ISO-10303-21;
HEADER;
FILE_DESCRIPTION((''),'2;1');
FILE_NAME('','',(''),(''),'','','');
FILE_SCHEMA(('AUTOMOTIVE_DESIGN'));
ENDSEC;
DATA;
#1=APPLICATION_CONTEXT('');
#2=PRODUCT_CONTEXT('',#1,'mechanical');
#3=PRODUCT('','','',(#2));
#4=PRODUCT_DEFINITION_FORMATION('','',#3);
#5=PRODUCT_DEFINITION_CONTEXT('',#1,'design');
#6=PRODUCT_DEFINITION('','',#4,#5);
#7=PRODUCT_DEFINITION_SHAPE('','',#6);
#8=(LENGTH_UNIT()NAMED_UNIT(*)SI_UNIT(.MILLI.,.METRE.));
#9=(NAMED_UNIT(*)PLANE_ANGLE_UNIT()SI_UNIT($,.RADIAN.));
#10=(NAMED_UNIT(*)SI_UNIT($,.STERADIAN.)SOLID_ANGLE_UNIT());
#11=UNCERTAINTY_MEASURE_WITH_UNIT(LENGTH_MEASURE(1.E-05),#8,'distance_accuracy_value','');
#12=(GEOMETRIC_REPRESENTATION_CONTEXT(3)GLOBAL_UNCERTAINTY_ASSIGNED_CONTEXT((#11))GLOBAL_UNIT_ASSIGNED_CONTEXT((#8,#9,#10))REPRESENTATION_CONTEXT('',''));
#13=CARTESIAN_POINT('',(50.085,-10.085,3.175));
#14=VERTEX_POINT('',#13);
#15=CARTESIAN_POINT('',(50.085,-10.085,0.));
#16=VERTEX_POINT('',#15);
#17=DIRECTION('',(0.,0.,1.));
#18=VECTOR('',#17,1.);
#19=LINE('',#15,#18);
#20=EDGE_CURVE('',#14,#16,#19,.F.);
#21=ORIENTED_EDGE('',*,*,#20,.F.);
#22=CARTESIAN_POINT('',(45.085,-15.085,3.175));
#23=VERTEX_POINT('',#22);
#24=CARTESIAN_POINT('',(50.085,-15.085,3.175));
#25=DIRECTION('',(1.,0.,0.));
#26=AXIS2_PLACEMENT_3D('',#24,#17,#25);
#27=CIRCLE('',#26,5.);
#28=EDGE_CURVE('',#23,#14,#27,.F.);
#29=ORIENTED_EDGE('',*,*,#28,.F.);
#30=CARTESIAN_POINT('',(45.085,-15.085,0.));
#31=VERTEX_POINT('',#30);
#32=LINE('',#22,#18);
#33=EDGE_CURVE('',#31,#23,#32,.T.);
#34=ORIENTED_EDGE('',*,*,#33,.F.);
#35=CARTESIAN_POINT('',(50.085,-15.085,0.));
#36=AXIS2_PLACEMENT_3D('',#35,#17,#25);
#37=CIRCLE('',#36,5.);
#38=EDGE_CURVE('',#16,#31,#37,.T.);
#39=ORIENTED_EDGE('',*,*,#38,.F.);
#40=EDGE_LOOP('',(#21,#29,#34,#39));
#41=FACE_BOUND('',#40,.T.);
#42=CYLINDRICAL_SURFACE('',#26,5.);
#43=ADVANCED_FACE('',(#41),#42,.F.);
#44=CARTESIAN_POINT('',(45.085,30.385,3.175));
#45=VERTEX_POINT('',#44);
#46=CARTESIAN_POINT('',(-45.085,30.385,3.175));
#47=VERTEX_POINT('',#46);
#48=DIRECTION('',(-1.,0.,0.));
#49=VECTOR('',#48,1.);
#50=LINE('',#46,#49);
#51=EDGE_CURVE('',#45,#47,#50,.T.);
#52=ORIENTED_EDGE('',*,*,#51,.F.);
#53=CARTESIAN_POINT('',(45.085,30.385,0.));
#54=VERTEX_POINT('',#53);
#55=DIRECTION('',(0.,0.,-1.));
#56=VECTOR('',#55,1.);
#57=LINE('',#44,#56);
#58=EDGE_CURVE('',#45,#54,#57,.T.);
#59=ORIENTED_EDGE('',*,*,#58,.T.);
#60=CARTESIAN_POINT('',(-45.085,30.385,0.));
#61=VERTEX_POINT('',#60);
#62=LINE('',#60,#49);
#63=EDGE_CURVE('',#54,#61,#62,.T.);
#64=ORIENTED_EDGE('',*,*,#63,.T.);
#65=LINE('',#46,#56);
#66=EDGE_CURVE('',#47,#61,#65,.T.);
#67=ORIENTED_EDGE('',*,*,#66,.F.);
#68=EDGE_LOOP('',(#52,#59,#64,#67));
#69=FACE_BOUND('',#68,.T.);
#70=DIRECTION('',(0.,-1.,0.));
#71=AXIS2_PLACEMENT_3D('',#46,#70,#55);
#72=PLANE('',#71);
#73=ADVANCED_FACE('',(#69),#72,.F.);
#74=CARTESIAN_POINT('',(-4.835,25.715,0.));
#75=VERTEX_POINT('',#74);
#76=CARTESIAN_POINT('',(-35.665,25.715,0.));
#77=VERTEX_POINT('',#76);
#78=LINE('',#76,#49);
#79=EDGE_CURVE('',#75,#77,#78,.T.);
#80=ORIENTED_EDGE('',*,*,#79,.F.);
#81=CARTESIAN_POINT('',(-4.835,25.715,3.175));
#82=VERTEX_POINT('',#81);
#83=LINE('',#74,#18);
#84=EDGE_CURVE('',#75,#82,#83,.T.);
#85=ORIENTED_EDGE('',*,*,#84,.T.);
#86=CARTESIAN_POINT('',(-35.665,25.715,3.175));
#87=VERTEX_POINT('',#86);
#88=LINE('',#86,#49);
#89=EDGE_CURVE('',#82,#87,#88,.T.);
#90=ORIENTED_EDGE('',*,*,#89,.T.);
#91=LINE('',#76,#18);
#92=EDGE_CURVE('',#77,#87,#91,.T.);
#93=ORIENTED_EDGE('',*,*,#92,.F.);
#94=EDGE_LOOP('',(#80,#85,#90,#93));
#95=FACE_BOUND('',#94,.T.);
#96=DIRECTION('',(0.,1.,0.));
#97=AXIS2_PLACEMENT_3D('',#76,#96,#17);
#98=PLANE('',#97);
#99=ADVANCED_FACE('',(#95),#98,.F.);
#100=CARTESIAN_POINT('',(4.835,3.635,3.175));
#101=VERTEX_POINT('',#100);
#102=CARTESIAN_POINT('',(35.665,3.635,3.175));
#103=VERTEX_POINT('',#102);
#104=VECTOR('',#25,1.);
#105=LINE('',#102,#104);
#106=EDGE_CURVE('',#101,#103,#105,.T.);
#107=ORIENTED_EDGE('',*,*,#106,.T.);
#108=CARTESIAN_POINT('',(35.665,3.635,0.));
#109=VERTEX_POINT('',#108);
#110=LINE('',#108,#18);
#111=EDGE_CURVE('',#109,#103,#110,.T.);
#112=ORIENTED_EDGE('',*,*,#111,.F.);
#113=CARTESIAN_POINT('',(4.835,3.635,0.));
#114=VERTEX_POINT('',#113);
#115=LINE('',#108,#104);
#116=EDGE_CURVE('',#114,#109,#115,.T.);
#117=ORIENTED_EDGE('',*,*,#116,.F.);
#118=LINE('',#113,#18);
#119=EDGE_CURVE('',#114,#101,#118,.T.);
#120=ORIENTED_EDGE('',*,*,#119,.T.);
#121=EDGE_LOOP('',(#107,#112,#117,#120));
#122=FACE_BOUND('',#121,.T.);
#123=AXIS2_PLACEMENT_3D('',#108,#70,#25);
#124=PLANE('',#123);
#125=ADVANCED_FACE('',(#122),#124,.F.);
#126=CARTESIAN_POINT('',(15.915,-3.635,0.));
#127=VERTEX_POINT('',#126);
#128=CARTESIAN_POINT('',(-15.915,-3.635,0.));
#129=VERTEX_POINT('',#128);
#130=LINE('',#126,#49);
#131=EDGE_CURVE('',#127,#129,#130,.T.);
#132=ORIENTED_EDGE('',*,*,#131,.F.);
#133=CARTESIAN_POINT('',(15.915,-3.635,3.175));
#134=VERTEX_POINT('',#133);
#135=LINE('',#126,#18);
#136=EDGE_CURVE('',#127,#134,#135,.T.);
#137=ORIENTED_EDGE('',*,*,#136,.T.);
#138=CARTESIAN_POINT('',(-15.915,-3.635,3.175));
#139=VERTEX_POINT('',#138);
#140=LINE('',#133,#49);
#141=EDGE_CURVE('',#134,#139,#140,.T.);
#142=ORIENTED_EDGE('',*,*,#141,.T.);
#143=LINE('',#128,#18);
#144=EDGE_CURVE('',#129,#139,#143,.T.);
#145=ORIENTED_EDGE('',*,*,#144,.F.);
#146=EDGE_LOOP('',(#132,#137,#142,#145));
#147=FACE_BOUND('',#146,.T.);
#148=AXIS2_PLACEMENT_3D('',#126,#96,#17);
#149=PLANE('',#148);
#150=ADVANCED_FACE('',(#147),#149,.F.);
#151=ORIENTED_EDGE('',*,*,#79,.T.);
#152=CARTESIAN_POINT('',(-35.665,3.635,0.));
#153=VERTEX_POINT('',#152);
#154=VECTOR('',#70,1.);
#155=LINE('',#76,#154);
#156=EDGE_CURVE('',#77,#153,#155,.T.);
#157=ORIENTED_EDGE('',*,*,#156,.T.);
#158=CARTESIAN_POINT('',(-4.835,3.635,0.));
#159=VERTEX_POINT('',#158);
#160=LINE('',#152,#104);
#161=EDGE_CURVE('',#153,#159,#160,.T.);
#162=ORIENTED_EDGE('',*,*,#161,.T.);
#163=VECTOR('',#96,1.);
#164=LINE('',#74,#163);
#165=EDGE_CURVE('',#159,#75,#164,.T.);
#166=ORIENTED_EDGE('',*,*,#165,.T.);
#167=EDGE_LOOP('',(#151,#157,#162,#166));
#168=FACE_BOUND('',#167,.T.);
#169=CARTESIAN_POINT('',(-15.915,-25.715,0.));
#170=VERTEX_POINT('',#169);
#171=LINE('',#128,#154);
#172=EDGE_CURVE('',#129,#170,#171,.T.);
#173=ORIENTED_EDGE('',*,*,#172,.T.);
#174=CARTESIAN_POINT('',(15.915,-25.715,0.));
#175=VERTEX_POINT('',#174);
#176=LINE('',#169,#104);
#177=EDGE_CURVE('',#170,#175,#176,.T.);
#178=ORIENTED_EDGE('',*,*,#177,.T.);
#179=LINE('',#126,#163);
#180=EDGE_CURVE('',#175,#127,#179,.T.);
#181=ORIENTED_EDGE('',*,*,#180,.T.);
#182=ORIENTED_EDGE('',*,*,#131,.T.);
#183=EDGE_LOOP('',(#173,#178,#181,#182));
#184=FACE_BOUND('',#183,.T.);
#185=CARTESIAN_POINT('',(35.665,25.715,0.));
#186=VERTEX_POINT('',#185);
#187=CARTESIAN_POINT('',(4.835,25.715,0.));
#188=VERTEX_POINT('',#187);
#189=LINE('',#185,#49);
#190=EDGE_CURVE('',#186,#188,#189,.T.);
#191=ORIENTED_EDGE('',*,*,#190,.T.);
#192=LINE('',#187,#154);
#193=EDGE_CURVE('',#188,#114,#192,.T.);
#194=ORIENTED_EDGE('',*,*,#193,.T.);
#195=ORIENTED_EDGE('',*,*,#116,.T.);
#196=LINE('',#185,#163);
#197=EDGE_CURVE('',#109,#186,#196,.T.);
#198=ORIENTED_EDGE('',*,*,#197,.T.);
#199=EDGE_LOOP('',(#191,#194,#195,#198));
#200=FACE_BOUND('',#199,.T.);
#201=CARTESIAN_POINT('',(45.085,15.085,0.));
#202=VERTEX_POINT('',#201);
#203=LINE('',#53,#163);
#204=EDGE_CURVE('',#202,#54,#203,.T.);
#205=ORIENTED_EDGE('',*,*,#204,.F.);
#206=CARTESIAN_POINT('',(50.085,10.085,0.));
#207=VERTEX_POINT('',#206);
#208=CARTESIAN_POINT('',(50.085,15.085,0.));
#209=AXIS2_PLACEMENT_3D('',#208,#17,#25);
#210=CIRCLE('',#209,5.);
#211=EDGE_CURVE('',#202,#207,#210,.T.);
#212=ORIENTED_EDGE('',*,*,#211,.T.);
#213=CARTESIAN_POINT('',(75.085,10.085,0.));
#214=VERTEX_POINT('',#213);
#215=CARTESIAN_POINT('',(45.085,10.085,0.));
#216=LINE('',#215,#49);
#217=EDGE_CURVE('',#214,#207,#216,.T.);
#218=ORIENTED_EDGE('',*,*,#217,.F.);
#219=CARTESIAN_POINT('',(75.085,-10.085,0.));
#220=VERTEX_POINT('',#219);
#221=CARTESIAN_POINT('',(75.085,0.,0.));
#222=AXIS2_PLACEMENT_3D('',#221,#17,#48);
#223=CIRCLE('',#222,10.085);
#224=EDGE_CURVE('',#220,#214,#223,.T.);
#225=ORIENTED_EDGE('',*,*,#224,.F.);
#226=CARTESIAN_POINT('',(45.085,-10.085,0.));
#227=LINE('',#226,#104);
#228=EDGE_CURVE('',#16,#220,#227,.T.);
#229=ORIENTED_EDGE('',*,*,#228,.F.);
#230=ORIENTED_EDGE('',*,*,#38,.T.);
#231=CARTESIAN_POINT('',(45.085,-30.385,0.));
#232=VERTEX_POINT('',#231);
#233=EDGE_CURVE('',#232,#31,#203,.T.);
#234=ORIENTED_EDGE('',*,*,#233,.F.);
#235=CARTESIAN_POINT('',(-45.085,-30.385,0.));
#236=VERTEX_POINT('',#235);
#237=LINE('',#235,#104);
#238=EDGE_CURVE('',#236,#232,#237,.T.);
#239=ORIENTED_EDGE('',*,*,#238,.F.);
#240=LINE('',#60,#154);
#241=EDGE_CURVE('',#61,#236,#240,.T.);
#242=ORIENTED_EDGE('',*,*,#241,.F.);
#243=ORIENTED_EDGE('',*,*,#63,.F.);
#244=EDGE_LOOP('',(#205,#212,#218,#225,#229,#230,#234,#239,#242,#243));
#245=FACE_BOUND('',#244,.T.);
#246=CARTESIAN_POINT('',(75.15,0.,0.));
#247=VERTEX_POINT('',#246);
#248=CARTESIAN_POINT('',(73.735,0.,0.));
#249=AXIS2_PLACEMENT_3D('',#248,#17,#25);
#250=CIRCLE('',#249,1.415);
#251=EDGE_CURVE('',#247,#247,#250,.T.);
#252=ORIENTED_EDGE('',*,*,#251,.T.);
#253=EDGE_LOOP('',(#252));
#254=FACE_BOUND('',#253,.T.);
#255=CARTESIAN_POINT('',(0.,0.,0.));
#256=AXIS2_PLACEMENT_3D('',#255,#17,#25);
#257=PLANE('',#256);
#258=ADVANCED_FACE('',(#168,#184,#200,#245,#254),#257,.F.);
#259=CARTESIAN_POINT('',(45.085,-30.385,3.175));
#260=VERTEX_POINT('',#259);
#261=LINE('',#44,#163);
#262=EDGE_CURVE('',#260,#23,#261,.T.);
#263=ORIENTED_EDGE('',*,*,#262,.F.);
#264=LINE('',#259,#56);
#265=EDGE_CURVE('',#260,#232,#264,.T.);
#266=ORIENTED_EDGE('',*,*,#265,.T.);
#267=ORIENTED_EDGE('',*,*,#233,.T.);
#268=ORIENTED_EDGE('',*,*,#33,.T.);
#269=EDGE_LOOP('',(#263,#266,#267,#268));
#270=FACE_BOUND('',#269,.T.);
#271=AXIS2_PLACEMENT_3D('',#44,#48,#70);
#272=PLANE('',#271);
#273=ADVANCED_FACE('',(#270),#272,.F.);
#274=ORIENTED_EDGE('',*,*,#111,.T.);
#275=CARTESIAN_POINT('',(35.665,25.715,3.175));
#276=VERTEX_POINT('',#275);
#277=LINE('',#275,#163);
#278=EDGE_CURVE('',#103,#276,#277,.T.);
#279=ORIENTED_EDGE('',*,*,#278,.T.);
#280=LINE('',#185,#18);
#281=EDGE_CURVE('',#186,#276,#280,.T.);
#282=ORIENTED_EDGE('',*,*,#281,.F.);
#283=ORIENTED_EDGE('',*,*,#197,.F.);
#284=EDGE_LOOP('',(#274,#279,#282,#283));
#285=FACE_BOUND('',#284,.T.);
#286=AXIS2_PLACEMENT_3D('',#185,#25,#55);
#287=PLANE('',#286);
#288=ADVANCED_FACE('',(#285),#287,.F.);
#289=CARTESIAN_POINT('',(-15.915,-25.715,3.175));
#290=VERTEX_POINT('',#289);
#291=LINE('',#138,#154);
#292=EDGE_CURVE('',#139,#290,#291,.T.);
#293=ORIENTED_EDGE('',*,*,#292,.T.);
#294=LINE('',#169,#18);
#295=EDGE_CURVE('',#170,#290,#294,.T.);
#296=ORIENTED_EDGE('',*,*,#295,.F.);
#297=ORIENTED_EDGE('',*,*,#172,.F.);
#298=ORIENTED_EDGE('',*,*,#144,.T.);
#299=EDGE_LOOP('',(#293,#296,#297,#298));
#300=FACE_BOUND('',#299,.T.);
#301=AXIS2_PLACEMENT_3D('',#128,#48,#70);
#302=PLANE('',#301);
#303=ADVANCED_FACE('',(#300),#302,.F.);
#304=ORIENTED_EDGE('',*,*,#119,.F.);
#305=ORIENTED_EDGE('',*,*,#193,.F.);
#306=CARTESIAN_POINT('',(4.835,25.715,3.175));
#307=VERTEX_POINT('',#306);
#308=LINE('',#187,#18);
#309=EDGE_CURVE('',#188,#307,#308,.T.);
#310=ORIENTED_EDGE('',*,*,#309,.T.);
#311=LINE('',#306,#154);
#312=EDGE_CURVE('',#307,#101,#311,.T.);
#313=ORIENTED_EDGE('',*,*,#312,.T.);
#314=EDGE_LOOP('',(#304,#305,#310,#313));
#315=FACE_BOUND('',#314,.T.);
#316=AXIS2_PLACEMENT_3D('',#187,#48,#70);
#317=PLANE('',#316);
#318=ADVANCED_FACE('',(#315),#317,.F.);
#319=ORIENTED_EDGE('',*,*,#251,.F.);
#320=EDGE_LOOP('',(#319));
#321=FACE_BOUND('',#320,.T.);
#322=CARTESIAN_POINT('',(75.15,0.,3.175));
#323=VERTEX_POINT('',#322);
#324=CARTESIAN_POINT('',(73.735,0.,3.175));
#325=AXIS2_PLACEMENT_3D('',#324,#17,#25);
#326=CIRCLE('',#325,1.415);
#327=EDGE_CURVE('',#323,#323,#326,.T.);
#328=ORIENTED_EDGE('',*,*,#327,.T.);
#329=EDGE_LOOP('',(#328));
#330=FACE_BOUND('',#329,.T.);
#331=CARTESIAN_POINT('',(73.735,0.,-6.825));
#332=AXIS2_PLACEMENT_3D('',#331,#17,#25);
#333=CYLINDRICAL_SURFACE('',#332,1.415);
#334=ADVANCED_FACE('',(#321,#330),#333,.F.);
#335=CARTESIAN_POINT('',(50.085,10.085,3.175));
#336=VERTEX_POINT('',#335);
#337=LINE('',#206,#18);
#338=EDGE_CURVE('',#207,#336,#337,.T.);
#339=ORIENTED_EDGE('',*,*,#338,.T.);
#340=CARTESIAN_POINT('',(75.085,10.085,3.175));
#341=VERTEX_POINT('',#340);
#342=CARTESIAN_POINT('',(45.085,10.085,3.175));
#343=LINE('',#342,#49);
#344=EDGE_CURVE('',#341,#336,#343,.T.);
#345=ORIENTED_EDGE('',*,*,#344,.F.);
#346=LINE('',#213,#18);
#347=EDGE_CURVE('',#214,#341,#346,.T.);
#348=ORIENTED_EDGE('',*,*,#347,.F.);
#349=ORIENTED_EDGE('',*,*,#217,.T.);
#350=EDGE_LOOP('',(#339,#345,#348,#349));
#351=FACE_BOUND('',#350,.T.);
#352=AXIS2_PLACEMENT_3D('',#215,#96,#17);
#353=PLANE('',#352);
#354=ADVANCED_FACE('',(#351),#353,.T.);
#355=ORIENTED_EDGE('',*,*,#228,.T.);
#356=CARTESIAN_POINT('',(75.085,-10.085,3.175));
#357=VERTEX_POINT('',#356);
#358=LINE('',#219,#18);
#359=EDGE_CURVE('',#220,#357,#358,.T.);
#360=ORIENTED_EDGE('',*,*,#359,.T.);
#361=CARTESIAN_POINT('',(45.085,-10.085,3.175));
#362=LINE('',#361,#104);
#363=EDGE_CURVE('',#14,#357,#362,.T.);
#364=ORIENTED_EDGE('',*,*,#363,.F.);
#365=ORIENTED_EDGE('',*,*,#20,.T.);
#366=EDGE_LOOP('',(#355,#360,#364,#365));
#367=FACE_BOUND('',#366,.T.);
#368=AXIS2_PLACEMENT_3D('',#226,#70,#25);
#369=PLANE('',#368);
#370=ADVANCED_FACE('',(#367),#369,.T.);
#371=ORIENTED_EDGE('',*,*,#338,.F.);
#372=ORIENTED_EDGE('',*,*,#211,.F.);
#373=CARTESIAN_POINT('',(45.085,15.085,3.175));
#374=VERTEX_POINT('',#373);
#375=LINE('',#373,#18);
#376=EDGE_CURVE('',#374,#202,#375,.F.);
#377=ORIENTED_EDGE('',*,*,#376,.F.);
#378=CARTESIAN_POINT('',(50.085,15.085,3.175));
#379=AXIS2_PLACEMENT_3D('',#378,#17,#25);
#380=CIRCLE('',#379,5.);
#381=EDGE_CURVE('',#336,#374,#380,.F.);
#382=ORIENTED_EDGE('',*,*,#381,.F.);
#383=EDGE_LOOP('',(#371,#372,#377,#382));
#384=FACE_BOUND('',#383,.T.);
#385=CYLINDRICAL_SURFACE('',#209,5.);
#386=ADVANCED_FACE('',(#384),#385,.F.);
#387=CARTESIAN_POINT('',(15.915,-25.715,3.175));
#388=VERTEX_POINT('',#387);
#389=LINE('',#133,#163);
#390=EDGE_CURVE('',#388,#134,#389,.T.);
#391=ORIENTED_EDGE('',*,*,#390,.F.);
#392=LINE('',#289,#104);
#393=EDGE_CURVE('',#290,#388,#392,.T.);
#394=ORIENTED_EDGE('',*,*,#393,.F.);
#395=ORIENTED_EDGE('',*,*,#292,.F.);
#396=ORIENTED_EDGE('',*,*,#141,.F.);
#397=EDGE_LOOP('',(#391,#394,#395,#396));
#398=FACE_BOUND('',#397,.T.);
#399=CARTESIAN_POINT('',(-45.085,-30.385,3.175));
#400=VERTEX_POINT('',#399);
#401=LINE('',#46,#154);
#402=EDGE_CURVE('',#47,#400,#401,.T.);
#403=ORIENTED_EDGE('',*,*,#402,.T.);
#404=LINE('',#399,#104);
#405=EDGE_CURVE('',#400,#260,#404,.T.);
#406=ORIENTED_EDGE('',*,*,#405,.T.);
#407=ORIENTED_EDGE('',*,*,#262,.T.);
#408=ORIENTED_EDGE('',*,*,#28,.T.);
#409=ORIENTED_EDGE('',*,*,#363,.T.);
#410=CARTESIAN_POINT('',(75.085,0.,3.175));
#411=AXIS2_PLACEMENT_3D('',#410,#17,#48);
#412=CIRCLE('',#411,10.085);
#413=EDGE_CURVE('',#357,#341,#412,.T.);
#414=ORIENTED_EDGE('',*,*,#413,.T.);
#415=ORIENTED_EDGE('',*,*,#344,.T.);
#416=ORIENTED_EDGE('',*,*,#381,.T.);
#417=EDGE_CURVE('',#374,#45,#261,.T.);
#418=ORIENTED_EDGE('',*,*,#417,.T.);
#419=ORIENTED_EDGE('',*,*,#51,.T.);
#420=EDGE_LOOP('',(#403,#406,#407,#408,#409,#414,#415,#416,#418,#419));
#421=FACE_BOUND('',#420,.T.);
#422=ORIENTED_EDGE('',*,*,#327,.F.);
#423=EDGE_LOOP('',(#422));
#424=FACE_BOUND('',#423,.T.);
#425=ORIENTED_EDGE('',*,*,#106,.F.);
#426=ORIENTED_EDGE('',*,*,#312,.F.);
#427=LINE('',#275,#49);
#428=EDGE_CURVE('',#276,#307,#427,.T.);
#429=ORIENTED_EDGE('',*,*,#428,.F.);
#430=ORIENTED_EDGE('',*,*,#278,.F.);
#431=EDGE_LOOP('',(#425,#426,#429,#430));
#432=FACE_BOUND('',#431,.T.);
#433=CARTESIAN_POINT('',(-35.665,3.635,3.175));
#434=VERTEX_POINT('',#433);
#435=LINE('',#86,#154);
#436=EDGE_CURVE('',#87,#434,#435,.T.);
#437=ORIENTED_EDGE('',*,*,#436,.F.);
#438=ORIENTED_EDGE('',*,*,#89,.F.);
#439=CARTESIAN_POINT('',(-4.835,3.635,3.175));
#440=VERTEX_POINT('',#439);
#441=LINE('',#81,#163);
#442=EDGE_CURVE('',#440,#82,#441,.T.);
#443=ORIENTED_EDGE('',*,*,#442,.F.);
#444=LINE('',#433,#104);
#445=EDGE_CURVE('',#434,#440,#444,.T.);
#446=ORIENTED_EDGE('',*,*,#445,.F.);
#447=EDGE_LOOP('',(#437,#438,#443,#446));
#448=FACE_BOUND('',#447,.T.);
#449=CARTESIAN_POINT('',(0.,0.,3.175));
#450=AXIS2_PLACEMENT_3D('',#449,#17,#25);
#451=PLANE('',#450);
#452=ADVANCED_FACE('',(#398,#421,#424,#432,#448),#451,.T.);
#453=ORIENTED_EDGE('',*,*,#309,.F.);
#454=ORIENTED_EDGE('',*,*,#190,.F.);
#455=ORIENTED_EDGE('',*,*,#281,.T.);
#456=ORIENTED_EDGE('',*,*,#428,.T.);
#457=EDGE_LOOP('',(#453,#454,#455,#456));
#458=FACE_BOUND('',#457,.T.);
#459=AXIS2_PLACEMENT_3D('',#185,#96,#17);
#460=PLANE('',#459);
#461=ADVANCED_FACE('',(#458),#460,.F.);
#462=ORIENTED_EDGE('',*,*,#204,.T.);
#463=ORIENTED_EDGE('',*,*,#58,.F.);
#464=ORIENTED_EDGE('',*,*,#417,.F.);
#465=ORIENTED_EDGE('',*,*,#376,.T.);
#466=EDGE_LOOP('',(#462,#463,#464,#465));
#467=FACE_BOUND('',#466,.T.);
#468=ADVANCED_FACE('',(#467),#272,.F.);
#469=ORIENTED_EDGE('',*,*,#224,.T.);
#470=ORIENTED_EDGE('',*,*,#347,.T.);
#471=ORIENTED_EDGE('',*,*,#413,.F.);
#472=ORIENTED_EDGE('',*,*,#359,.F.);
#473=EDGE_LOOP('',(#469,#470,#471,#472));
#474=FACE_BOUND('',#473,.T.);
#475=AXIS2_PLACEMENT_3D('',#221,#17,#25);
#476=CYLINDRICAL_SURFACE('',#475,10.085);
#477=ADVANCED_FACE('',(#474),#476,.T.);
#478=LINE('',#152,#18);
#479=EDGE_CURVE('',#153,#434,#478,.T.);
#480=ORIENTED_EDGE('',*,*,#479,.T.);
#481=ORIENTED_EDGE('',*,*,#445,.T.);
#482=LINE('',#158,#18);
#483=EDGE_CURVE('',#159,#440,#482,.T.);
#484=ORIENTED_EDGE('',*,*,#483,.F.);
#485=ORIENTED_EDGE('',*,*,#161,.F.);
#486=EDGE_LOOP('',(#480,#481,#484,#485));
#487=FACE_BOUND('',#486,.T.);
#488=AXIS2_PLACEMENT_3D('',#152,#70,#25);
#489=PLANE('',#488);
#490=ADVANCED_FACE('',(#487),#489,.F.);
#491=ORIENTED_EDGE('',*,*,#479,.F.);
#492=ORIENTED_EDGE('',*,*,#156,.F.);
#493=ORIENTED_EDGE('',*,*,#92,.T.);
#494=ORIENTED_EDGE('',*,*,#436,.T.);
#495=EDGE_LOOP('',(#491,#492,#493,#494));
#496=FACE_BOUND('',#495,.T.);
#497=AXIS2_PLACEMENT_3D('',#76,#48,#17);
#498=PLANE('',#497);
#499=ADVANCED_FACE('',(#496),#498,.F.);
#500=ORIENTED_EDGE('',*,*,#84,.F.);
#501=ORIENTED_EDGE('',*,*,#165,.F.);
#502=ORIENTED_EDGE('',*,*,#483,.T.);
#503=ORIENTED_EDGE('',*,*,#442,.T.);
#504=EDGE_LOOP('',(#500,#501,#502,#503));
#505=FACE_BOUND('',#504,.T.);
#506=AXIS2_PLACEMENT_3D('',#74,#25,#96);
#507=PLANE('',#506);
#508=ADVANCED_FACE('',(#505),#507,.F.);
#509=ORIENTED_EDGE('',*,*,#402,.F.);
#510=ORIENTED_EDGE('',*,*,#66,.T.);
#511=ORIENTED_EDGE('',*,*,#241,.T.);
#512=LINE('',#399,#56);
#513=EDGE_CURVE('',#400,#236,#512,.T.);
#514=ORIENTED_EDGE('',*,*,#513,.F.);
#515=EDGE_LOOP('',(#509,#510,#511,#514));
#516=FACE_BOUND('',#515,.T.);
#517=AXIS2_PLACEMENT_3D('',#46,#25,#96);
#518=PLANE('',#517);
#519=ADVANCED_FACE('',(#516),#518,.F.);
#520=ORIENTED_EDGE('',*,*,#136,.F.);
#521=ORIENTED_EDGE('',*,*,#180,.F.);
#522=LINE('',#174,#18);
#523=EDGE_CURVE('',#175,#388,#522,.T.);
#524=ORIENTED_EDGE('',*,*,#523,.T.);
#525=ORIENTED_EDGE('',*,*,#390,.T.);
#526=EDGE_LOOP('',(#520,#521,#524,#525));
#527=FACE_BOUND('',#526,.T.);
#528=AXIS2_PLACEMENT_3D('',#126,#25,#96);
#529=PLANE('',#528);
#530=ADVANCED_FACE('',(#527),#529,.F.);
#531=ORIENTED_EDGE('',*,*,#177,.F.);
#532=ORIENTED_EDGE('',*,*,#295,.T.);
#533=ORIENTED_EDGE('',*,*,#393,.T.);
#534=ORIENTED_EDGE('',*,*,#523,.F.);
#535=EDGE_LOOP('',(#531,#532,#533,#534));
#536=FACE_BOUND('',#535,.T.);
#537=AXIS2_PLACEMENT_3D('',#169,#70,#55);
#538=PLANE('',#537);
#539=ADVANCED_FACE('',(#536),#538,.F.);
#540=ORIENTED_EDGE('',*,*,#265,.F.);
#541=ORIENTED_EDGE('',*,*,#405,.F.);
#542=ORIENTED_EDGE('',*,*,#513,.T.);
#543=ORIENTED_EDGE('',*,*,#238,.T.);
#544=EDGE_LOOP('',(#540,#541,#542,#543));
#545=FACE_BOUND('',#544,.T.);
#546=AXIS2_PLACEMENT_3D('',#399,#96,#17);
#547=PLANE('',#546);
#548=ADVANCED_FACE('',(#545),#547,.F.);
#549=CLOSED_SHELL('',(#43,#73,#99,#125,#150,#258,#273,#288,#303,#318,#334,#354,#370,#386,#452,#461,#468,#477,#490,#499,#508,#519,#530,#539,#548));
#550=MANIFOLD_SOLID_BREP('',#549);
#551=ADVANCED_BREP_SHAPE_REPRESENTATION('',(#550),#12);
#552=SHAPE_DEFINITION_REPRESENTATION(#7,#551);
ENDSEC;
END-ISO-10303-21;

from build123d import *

# Parameters (mm, degrees)
SKETCH1_W           = 90.17
SKETCH1_H           = 60.77
BOSS_EXTRUDE1_DEPTH = 3.175
SKETCH2_W           = 30.83
SKETCH2_H           = 22.08
SKETCH2_W_2         = 31.83
CUT_EXTRUDE1_DEPTH  = 4.175
BOSS_EXTRUDE2_DEPTH = 3.175
FILLET1_R           = 5
SKETCH5_R           = 1.415
CUT_EXTRUDE2_DEPTH  = 10


with BuildPart() as part:
    # Sketch1 → Boss-Extrude1 (new body)
    with BuildSketch(Plane.XY):
        Rectangle(SKETCH1_W, SKETCH1_H)
    extrude(amount=BOSS_EXTRUDE1_DEPTH)

    # Sketch2 → Cut-Extrude1 (cut, through all)
    with BuildSketch(Plane.XY.offset(3.175)):
        with Locations((20.25, 14.675)):
            Rectangle(SKETCH2_W, SKETCH2_H)
        with Locations((-20.25, 14.675)):
            Rectangle(SKETCH2_W, SKETCH2_H)
        with Locations((0, -14.675)):
            Rectangle(SKETCH2_W_2, SKETCH2_H)
    extrude(amount=-CUT_EXTRUDE1_DEPTH, mode=Mode.SUBTRACT)

    # Sketch3 → Boss-Extrude2 (add)
    with BuildSketch(Plane.XY.offset(3.175)):
        with BuildLine():
            Line((45.085, 10.085), (45.085, -10.085))
            Line((45.085, -10.085), (75.085, -10.085))
            ThreePointArc((75.085, -10.085), (85.17, 0), (75.085, 10.085))
            Line((75.085, 10.085), (45.085, 10.085))
        make_face()
    extrude(amount=-BOSS_EXTRUDE2_DEPTH)

    # Fillet1
    fillet1_edges = [part.edges().sort_by_distance(p)[0] for p in [
        (45.085, -10.085, 1.5875),
        (45.085, 10.085, 1.5875),
    ]]
    fillet(fillet1_edges, radius=FILLET1_R)

    # Sketch5 → Cut-Extrude2 (cut)
    with BuildSketch(Plane.XY.offset(3.175)):
        with Locations((73.735, 0)):
            Circle(SKETCH5_R)
    extrude(amount=-CUT_EXTRUDE2_DEPTH, mode=Mode.SUBTRACT)


solid = part.part
